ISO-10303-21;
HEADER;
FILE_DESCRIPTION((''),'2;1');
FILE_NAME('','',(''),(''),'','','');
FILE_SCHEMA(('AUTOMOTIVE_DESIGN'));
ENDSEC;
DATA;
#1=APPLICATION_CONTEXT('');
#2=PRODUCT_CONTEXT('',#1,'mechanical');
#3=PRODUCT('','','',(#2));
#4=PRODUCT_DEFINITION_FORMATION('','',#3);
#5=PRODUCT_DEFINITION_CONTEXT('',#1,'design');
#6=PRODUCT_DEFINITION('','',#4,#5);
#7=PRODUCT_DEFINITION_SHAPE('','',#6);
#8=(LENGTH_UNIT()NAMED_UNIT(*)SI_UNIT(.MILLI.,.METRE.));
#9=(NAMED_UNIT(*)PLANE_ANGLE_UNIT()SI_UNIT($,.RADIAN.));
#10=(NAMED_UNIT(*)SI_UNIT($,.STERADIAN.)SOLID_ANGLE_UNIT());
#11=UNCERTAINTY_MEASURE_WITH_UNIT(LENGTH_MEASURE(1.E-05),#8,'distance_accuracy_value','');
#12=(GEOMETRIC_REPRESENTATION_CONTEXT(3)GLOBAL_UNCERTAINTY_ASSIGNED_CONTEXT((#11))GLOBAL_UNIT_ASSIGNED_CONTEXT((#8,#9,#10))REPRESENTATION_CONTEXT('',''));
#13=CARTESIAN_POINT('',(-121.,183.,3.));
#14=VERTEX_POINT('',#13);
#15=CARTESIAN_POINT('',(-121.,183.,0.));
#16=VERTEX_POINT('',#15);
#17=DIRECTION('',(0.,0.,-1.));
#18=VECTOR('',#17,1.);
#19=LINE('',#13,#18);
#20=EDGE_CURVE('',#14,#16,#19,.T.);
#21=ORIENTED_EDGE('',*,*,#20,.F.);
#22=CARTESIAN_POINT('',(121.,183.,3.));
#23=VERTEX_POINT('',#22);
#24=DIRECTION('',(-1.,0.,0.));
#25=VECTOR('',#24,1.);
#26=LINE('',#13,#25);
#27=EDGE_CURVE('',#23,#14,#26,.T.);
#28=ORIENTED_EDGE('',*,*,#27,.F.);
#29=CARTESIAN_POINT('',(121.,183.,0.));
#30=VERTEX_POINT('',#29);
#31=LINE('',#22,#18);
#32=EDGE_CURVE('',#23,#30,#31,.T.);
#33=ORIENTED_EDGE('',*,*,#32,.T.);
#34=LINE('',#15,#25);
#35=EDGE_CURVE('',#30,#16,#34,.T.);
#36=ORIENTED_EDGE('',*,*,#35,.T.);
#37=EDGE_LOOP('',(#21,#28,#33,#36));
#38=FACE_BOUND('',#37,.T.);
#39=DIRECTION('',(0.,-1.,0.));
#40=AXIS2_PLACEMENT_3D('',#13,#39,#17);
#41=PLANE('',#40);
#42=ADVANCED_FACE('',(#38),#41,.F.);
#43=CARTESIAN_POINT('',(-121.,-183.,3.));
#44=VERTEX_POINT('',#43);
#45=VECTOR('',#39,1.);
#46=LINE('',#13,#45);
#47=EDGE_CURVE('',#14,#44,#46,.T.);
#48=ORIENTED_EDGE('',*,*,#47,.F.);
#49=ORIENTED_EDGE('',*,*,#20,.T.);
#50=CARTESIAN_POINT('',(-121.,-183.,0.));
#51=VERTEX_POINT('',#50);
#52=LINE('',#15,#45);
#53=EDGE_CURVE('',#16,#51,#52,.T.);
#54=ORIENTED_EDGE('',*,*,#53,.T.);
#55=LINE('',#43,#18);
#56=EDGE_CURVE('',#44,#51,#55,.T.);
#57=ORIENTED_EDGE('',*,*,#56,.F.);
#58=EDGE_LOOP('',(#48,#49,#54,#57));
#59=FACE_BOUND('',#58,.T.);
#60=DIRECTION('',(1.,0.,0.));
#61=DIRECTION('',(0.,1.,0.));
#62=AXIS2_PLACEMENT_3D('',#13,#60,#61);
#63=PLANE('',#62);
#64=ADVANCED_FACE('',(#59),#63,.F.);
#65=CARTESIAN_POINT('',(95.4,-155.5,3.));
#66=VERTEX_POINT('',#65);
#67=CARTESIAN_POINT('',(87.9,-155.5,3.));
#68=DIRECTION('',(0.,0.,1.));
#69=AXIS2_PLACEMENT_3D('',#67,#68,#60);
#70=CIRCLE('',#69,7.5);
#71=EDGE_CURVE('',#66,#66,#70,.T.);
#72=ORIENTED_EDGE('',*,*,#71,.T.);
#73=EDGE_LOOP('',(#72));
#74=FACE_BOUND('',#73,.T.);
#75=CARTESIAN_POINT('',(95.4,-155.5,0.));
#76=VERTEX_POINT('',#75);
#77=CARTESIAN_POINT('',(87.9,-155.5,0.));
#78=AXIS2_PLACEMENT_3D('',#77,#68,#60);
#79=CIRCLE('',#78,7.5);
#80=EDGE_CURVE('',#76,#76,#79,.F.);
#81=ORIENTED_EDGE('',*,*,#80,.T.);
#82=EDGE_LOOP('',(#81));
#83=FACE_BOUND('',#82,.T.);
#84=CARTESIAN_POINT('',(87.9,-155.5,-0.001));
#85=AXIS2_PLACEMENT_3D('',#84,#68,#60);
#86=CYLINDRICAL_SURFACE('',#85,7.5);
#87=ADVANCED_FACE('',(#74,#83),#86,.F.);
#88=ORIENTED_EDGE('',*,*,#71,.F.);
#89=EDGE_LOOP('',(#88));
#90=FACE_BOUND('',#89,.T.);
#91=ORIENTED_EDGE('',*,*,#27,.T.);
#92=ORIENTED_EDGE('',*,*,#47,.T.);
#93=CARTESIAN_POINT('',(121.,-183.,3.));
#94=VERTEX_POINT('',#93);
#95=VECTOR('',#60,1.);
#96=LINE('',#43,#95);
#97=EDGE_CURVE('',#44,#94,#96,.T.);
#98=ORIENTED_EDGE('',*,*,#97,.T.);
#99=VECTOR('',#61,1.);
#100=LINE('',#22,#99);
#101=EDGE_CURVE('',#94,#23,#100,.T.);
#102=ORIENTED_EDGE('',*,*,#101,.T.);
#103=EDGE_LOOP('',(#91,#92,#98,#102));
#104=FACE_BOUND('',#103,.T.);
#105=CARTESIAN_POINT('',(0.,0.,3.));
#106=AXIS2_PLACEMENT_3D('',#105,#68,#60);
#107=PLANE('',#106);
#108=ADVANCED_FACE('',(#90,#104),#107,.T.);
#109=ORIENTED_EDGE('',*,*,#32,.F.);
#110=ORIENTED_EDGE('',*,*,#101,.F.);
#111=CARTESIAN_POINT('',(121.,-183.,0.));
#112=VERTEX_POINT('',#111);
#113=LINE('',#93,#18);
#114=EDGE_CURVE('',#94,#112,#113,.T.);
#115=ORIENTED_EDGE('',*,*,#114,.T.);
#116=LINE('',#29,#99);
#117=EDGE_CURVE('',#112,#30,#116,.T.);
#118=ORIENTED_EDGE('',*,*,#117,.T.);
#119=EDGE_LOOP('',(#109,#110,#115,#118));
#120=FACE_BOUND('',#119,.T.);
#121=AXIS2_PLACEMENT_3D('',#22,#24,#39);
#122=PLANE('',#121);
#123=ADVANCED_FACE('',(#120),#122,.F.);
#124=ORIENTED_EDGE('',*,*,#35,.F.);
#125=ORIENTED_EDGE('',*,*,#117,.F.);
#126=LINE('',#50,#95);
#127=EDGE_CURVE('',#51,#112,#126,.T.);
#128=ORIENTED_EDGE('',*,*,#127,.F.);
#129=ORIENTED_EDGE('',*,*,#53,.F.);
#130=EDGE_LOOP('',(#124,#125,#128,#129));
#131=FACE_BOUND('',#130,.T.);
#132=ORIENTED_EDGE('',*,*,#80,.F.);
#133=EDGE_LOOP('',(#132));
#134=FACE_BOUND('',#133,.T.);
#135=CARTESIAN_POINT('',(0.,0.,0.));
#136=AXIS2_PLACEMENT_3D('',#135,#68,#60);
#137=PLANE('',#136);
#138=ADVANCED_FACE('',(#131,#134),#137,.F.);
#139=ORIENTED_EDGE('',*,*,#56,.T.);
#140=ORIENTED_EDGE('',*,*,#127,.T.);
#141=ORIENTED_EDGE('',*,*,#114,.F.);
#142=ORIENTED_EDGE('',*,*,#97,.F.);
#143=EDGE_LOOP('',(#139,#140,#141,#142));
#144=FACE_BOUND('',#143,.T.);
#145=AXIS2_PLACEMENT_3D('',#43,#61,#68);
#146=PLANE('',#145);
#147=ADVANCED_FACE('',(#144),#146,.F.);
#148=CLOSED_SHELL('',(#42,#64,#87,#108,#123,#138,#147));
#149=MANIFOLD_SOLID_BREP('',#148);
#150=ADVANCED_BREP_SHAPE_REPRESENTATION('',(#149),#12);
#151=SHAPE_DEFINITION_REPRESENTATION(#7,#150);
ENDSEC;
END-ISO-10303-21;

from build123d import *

# Parameters (mm, degrees)
SKETCH1_W           = 242
SKETCH1_H           = 366
BOSS_EXTRUDE1_DEPTH = 3
CUT_EXTRUDE1_REACH  = 5
SKETCH2_R           = 7.5


with BuildPart() as part:
    # Sketch1 → Boss-Extrude1 (new body)
    with BuildSketch(Plane.XY):
        Rectangle(SKETCH1_W, SKETCH1_H)
    extrude(amount=BOSS_EXTRUDE1_DEPTH)

    # Sketch2 → Cut-Extrude1 (cut, up to next)
    with BuildSketch(Plane.XY.offset(3), mode=Mode.PRIVATE) as cut_extrude1_sk1:
        with Locations((87.9, -155.5)):
            Circle(SKETCH2_R)
    cut_extrude1_tool1 = extrude(cut_extrude1_sk1.sketch, amount=-CUT_EXTRUDE1_REACH, mode=Mode.PRIVATE) & part.part
    add(cut_extrude1_tool1.solids().sort_by_distance((87.9, -155.5, 3))[0], mode=Mode.SUBTRACT)


solid = part.part
